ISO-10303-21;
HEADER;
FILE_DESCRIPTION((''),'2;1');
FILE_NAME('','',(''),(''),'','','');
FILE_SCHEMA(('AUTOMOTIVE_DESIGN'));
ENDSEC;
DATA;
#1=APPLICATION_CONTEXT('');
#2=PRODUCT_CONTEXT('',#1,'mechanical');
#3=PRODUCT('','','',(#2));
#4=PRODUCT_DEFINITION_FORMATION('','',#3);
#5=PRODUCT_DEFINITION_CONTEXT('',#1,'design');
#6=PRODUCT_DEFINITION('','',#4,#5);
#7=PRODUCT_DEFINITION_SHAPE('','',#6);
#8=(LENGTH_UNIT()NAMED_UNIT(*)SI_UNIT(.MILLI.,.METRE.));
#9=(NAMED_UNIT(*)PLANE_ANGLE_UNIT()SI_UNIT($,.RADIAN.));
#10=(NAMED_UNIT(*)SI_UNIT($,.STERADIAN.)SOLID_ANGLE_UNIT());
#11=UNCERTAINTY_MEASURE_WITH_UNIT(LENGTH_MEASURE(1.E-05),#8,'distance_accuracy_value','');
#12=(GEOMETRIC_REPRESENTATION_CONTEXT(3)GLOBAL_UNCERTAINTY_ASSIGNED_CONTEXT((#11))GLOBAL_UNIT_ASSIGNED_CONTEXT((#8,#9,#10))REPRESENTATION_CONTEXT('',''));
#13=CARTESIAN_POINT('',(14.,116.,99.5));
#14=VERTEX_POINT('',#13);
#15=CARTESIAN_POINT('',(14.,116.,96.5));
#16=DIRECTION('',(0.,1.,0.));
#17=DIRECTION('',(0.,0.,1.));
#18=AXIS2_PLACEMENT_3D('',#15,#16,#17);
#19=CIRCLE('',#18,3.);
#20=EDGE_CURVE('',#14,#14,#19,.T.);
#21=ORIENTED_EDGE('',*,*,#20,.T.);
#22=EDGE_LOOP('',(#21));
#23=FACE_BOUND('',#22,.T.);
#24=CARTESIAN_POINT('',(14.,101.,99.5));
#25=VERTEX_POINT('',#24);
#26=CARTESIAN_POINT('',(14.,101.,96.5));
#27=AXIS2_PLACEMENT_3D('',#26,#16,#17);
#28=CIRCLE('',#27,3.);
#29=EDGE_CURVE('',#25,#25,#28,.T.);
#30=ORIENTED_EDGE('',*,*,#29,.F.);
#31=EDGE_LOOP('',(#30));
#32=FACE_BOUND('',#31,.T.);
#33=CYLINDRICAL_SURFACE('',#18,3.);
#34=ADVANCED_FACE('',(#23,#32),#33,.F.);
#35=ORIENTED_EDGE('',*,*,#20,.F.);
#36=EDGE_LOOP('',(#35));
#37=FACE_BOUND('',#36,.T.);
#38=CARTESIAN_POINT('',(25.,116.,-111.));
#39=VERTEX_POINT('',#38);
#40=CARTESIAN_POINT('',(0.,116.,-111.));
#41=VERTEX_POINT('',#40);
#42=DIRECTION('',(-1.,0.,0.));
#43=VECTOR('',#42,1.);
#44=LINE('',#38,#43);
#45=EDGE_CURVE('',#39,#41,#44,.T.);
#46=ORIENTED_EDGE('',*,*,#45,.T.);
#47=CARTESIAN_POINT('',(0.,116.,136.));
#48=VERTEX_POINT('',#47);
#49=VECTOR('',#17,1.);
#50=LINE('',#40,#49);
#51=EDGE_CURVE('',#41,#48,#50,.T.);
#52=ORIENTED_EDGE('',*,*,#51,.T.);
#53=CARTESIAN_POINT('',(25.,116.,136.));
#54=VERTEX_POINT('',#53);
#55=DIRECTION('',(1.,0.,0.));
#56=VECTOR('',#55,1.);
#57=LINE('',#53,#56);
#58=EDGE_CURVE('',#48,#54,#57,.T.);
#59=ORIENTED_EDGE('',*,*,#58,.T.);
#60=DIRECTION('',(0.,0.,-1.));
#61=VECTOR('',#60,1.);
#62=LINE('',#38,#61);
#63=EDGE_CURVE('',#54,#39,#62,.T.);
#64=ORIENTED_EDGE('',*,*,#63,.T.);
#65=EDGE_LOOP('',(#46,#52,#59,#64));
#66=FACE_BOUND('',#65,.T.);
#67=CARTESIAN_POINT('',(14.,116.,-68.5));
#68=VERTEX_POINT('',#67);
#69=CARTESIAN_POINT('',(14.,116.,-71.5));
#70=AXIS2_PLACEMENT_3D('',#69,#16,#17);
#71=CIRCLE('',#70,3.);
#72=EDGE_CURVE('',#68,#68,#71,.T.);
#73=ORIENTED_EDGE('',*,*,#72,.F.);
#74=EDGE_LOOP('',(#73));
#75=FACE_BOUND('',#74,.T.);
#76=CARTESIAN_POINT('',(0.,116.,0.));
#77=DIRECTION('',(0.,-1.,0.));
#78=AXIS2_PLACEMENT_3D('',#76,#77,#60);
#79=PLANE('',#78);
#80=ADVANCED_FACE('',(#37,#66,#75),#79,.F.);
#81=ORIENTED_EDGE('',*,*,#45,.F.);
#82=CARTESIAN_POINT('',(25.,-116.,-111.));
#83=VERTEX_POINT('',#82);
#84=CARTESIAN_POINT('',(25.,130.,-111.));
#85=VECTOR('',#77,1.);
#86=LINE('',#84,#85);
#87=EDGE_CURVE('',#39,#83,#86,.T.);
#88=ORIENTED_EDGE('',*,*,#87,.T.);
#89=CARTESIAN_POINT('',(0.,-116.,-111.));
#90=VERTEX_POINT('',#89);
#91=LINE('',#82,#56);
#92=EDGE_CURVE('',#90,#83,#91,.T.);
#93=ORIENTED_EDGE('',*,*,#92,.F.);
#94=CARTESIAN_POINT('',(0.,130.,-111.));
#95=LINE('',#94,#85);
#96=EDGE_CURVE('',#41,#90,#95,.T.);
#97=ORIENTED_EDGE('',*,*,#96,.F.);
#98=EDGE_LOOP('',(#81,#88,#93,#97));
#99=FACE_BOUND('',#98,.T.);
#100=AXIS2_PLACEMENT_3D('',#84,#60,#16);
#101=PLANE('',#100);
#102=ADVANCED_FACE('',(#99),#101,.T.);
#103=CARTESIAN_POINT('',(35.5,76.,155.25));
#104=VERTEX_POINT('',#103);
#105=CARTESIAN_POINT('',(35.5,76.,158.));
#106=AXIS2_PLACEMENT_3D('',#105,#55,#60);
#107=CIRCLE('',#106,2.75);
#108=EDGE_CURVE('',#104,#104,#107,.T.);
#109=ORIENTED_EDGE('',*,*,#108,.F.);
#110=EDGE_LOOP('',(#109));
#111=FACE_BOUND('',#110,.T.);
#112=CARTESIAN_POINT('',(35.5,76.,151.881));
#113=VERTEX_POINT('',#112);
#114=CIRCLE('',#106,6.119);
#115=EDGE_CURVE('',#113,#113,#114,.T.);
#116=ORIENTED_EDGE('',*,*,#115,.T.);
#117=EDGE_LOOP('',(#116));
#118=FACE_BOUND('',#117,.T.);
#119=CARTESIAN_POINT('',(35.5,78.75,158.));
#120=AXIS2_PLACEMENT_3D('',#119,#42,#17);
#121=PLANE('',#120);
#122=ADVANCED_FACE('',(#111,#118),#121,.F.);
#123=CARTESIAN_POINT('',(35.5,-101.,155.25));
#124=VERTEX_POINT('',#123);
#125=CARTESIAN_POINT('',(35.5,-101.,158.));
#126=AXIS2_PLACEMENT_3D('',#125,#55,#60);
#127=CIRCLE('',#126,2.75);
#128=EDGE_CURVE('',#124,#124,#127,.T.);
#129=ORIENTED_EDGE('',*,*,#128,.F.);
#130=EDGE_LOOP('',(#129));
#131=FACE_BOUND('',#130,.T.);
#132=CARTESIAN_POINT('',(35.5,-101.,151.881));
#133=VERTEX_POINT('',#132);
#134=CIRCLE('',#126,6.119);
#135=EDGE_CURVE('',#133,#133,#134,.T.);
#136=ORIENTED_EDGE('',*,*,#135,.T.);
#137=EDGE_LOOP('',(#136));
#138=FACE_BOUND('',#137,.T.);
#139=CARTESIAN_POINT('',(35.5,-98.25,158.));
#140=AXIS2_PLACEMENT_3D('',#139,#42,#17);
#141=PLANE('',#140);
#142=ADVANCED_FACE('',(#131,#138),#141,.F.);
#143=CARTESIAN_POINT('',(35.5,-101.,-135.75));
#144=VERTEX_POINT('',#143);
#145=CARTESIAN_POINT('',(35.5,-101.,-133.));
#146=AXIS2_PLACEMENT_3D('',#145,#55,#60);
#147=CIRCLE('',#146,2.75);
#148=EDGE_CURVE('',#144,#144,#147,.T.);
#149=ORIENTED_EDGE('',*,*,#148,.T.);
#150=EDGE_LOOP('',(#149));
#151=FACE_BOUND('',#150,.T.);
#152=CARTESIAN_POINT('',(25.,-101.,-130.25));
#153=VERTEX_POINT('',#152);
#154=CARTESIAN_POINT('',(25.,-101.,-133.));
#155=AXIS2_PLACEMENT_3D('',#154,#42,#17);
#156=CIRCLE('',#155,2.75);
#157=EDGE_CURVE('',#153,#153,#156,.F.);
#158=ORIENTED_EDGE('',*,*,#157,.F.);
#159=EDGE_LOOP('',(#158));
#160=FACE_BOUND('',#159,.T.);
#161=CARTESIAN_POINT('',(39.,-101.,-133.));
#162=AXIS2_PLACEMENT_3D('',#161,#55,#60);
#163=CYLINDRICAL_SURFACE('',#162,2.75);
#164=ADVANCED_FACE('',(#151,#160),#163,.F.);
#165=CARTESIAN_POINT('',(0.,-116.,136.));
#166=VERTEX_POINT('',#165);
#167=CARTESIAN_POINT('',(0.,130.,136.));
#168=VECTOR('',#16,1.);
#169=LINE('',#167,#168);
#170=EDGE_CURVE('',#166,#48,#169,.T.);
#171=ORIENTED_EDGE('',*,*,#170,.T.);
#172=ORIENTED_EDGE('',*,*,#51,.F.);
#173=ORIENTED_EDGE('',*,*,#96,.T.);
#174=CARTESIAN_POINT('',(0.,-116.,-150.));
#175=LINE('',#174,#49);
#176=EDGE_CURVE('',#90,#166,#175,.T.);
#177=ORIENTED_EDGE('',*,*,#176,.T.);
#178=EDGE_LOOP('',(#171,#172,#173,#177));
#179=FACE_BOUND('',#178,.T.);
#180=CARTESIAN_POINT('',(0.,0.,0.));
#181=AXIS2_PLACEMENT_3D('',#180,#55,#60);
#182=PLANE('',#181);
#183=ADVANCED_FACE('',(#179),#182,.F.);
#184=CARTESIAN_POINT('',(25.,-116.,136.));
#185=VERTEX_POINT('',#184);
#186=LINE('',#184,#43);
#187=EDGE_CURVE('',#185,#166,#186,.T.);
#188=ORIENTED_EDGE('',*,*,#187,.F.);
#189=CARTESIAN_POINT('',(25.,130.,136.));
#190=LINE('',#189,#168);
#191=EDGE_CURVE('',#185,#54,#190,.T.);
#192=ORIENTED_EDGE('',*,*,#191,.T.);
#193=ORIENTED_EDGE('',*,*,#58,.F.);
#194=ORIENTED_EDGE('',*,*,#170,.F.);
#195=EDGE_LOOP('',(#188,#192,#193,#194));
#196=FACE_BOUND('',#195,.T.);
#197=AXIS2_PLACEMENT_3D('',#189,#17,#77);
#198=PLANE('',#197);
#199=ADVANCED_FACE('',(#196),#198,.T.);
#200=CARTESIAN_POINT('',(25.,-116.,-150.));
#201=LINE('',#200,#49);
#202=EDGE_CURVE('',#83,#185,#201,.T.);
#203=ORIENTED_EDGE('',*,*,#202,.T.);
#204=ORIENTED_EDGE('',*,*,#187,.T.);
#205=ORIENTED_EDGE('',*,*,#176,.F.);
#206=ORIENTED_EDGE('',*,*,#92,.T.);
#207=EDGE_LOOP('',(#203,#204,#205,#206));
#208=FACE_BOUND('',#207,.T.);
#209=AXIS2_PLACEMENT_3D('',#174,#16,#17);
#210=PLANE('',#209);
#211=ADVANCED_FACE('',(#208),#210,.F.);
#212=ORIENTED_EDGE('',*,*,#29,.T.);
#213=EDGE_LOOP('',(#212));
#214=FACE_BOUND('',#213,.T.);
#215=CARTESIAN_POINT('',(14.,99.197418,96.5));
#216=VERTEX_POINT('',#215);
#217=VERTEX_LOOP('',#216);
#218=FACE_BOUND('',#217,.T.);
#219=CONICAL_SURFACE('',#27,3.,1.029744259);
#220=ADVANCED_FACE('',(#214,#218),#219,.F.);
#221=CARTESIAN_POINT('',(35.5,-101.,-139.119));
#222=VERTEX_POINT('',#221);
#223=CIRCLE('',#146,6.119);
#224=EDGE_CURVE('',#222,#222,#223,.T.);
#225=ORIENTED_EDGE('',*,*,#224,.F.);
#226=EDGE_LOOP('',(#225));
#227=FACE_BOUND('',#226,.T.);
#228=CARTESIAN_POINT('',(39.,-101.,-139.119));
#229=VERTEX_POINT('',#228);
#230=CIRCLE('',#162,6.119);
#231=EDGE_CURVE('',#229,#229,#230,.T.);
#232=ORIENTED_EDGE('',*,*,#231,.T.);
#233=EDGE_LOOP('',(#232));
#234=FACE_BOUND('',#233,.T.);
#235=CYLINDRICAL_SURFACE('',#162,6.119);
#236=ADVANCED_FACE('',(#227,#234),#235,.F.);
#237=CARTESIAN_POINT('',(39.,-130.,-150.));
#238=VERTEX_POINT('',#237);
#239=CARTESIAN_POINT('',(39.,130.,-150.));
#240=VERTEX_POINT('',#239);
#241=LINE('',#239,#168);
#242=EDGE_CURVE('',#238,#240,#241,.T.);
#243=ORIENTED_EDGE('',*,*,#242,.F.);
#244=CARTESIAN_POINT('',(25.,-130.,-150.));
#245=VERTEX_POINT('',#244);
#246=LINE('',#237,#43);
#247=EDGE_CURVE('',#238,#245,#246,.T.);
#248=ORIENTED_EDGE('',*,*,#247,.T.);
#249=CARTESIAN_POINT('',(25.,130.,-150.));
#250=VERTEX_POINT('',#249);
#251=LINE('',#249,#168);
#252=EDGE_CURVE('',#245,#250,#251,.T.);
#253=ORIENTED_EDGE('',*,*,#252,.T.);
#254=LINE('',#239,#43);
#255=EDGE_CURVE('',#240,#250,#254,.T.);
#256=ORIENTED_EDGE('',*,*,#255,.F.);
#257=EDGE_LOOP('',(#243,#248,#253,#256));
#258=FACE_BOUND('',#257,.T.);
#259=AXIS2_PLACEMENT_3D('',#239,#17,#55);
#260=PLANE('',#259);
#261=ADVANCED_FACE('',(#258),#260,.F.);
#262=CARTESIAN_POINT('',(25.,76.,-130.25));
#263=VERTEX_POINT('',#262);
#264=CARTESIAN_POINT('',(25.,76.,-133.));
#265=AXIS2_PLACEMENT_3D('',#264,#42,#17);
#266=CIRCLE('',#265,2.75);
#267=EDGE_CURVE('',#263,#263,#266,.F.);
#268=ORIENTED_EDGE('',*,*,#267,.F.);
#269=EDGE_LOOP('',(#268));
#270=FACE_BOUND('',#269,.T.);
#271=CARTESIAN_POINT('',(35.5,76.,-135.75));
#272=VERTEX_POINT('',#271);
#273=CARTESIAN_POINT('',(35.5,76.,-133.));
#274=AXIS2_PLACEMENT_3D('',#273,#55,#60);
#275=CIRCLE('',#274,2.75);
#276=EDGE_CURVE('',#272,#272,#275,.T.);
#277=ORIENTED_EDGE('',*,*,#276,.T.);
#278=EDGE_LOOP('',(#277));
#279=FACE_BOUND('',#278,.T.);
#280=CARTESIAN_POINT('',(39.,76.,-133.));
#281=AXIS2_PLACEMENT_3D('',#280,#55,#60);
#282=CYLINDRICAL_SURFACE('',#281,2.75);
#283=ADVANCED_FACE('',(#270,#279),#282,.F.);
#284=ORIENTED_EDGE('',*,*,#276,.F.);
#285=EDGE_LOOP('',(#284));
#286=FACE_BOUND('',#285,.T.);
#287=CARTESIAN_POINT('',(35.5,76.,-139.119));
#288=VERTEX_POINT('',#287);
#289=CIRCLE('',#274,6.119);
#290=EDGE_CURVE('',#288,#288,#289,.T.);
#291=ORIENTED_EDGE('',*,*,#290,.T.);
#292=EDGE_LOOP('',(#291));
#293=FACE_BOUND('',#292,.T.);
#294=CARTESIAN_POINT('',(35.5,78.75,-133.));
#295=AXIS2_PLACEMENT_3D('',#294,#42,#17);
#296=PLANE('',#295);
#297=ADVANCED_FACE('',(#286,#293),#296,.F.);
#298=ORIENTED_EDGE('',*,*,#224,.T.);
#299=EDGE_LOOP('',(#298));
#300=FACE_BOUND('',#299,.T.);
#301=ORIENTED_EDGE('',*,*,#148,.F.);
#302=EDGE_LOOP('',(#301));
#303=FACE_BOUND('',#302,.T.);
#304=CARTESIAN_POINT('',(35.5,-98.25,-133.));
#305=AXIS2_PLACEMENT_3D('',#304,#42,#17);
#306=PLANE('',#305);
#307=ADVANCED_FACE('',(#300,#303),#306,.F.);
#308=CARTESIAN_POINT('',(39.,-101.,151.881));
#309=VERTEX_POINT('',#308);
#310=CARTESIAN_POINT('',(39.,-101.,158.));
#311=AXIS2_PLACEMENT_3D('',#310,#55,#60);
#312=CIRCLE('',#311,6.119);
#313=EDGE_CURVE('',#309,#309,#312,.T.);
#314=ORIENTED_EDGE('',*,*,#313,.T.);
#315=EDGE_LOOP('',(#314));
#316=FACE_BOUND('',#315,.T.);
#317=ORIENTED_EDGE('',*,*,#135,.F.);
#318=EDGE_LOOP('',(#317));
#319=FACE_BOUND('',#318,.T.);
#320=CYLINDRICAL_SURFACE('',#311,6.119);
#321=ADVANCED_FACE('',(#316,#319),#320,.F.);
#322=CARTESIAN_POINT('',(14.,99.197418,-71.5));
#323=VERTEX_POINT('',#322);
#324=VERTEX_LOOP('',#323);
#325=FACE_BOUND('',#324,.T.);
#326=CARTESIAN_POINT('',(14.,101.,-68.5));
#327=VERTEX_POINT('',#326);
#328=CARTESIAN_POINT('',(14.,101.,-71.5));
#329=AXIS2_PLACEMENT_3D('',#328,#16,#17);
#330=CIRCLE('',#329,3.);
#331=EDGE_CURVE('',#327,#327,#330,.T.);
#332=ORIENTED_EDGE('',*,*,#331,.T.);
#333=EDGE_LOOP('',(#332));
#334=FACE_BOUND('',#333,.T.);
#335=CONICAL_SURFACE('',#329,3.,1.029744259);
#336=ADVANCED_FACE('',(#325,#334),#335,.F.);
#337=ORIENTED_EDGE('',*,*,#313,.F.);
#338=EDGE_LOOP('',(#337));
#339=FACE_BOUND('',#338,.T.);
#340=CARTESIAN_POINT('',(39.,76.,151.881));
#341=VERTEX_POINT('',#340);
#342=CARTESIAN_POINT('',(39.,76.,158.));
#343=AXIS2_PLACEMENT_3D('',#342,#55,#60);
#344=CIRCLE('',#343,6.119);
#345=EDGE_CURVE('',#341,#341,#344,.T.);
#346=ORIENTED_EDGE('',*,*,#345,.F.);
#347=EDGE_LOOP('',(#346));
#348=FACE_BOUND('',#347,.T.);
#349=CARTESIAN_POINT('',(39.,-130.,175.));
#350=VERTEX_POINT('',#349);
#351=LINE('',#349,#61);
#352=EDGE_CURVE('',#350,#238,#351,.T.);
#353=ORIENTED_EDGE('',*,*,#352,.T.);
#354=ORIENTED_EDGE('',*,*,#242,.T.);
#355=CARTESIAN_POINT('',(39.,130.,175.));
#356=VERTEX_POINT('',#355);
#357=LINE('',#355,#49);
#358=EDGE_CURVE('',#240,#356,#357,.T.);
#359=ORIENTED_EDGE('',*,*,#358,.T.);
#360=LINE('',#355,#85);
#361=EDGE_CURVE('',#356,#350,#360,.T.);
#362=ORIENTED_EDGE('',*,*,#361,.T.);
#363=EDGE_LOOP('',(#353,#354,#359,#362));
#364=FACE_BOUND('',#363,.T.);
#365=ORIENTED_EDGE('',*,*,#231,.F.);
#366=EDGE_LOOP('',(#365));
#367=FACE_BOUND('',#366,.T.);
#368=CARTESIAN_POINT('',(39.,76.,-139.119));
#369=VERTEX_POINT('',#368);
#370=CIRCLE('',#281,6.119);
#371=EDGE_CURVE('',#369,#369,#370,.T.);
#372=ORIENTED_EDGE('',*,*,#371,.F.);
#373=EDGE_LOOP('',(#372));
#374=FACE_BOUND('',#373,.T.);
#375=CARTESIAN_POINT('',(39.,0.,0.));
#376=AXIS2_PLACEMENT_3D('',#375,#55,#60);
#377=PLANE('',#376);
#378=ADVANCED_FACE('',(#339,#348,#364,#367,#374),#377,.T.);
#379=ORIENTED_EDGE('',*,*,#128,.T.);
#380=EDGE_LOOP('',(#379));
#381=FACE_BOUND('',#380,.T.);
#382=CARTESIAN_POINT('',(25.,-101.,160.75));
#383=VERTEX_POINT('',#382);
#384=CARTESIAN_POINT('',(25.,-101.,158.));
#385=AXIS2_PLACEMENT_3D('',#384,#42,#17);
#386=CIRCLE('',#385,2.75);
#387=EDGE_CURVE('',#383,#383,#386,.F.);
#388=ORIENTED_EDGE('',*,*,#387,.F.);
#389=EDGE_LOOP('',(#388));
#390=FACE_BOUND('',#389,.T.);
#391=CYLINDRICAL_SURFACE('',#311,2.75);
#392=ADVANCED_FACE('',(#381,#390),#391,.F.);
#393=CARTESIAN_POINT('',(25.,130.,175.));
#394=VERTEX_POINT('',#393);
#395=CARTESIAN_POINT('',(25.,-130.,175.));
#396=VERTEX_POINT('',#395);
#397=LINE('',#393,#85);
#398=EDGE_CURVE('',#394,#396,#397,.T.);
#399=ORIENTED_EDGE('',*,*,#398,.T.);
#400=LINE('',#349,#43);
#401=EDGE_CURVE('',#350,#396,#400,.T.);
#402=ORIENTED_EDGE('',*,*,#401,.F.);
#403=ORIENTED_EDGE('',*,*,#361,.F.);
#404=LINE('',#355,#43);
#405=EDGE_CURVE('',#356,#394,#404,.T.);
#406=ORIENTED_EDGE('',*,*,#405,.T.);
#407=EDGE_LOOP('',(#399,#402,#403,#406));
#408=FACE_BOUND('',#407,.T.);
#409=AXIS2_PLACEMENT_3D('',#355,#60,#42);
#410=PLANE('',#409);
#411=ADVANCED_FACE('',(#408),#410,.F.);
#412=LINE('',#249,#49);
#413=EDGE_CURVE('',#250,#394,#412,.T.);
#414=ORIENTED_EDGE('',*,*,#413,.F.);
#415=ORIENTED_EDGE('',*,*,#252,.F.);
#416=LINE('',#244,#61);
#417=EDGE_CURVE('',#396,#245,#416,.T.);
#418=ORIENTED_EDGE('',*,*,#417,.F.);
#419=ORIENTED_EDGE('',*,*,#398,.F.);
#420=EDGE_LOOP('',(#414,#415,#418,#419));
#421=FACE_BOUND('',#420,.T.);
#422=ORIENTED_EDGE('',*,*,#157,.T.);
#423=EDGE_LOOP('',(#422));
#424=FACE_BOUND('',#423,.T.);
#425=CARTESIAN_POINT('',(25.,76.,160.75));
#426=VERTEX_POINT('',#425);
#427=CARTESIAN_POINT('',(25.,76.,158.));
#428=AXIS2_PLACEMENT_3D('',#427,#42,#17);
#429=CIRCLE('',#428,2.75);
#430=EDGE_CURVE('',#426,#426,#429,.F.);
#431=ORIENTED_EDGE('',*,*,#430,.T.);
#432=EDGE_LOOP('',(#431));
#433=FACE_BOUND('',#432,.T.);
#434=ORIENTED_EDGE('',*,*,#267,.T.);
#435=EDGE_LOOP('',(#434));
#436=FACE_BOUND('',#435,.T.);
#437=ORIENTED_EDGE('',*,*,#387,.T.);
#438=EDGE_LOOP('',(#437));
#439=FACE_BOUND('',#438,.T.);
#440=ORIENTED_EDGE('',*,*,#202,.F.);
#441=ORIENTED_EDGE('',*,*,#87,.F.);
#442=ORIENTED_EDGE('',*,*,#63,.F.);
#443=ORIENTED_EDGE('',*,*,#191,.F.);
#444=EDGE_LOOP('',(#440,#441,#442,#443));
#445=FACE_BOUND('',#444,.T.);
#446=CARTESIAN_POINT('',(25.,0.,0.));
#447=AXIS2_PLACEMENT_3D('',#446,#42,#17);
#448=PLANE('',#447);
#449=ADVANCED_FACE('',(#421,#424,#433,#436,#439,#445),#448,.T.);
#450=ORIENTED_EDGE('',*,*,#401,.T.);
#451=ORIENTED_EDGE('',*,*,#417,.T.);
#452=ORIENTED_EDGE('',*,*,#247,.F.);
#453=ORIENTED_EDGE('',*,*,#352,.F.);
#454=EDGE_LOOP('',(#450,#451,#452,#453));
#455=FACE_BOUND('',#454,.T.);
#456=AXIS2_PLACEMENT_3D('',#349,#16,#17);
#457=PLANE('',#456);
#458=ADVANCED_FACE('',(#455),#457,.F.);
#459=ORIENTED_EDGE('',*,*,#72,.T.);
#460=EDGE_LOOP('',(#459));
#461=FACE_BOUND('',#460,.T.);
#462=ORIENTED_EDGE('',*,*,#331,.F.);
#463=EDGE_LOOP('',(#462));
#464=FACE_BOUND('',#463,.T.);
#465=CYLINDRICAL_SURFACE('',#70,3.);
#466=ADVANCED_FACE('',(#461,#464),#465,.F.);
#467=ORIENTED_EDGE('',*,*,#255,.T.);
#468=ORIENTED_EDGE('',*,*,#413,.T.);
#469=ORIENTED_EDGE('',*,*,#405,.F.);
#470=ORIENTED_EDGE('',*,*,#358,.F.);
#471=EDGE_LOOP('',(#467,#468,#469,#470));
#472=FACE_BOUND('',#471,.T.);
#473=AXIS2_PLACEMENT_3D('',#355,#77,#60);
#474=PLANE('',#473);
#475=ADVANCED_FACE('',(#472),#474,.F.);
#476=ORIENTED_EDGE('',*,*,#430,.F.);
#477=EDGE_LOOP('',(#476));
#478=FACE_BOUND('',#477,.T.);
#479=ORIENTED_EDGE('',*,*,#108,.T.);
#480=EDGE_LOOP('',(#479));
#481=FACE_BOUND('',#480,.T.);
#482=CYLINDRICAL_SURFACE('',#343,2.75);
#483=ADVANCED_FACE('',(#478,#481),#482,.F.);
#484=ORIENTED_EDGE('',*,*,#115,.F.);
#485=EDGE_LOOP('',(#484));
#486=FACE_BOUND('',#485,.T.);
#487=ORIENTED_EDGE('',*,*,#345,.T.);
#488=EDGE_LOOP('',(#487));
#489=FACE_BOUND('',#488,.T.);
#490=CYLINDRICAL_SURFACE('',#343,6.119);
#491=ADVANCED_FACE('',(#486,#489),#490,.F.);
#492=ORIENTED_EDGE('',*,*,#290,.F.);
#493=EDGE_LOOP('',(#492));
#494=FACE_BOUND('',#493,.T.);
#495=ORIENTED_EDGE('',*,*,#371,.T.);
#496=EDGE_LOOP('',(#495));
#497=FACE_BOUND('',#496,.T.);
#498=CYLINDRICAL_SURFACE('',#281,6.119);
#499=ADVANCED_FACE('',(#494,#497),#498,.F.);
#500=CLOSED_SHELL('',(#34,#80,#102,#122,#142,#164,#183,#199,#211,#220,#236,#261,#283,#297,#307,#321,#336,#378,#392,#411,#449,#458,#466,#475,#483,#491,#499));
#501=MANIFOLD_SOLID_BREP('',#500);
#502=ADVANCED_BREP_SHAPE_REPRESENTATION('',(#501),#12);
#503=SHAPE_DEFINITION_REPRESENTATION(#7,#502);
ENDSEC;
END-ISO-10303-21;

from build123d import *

# Parameters (mm, degrees)
SKETCH1_W                               = 325
SKETCH1_H                               = 260
BOSS_EXTRUDE1_DEPTH                     = 39
CBORE_FOR_M5_HEX_HEAD_BOLT1_D           = 5.5
CBORE_FOR_M5_HEX_HEAD_BOLT1_DEPTH       = 30
CBORE_FOR_M5_HEX_HEAD_BOLT1_CBORE_D     = 12.238
CBORE_FOR_M5_HEX_HEAD_BOLT1_CBORE_DEPTH = 3.5
CBORE_FOR_M5_HEX_HEAD_BOLT1_TIP         = 1.652366702
SKETCH10_W                              = 39
SKETCH10_H                              = 260
CUT_EXTRUDE2_DEPTH                      = 25
SKETCH11_W                              = 25
SKETCH11_H                              = 247
CUT_EXTRUDE3_DEPTH                      = 14
F_6_0MM_DOWEL_HOLE1_D                   = 6
F_6_0MM_DOWEL_HOLE1_DEPTH               = 15
F_6_0MM_DOWEL_HOLE1_TIP                 = 1.802581857
CUT_EXTRUDE4_DEPTH                      = 222.463315247
CUT_EXTRUDE4_DEPTH_BACK                 = 222.463315247
SKETCH15_W                              = 25
SKETCH15_H                              = 14


with BuildPart() as part:
    # Sketch1 → Boss-Extrude1 (new body)
    with BuildSketch(Plane(origin=(0, 0, 0), x_dir=(0, 0, -1), z_dir=(1, 0, 0))):
        with Locations((-12.5, 0)):
            Rectangle(SKETCH1_W, SKETCH1_H)
    extrude(amount=BOSS_EXTRUDE1_DEPTH)

    # CBORE for M5 Hex Head Bolt1
    with Locations(Plane(origin=(39, 0, 0), x_dir=(0, 0, -1), z_dir=(1, 0, 0))):
        with Locations((133, -101), (133, 76), (-158, 76), (-158, -101)):
            CounterBoreHole(CBORE_FOR_M5_HEX_HEAD_BOLT1_D / 2, CBORE_FOR_M5_HEX_HEAD_BOLT1_CBORE_D / 2, CBORE_FOR_M5_HEX_HEAD_BOLT1_CBORE_DEPTH, depth=CBORE_FOR_M5_HEX_HEAD_BOLT1_DEPTH)
            with Locations((0, 0, -(CBORE_FOR_M5_HEX_HEAD_BOLT1_DEPTH + CBORE_FOR_M5_HEX_HEAD_BOLT1_TIP / 2))):  # 118° drill point
                Cone(0, CBORE_FOR_M5_HEX_HEAD_BOLT1_D / 2, CBORE_FOR_M5_HEX_HEAD_BOLT1_TIP, mode=Mode.SUBTRACT)

    # Sketch10 → Cut-Extrude2 (cut)
    with BuildSketch(Plane(origin=(0, 0, 0), x_dir=(0, 0, -1), z_dir=(1, 0, 0))):
        with Locations((130.5, 0)):
            Rectangle(SKETCH10_W, SKETCH10_H)
        with Locations((-155.5, 0)):
            Rectangle(SKETCH10_W, SKETCH10_H)
    extrude(amount=CUT_EXTRUDE2_DEPTH, mode=Mode.SUBTRACT)

    # Sketch11 → Cut-Extrude3 (cut)
    with BuildSketch(Plane(origin=(0, 130, 0), x_dir=(1, 0, 0), z_dir=(0, 1, 0))):
        with Locations((12.5, -12.5)):
            Rectangle(SKETCH11_W, SKETCH11_H)
    extrude(amount=-CUT_EXTRUDE3_DEPTH, mode=Mode.SUBTRACT)

    # Ø6.0mm Dowel Hole1
    with Locations(Plane(origin=(0, 116, 0), x_dir=(1, 0, 0), z_dir=(0, 1, 0))):
        with Locations((14, 71.5), (14, -96.5)):
            Hole(F_6_0MM_DOWEL_HOLE1_D / 2, depth=F_6_0MM_DOWEL_HOLE1_DEPTH)
            with Locations((0, 0, -(F_6_0MM_DOWEL_HOLE1_DEPTH + F_6_0MM_DOWEL_HOLE1_TIP / 2))):  # 118° drill point
                Cone(0, F_6_0MM_DOWEL_HOLE1_D / 2, F_6_0MM_DOWEL_HOLE1_TIP, mode=Mode.SUBTRACT)

    # Sketch15 → Cut-Extrude4 (cut, two sides: drawn at the far end of the back side and taken through both)
    with BuildSketch(Plane.XY.offset(-CUT_EXTRUDE4_DEPTH_BACK)):
        with Locations((12.5, -123)):
            Rectangle(SKETCH15_W, SKETCH15_H)
    extrude(amount=CUT_EXTRUDE4_DEPTH + CUT_EXTRUDE4_DEPTH_BACK, mode=Mode.SUBTRACT)


solid = part.part
